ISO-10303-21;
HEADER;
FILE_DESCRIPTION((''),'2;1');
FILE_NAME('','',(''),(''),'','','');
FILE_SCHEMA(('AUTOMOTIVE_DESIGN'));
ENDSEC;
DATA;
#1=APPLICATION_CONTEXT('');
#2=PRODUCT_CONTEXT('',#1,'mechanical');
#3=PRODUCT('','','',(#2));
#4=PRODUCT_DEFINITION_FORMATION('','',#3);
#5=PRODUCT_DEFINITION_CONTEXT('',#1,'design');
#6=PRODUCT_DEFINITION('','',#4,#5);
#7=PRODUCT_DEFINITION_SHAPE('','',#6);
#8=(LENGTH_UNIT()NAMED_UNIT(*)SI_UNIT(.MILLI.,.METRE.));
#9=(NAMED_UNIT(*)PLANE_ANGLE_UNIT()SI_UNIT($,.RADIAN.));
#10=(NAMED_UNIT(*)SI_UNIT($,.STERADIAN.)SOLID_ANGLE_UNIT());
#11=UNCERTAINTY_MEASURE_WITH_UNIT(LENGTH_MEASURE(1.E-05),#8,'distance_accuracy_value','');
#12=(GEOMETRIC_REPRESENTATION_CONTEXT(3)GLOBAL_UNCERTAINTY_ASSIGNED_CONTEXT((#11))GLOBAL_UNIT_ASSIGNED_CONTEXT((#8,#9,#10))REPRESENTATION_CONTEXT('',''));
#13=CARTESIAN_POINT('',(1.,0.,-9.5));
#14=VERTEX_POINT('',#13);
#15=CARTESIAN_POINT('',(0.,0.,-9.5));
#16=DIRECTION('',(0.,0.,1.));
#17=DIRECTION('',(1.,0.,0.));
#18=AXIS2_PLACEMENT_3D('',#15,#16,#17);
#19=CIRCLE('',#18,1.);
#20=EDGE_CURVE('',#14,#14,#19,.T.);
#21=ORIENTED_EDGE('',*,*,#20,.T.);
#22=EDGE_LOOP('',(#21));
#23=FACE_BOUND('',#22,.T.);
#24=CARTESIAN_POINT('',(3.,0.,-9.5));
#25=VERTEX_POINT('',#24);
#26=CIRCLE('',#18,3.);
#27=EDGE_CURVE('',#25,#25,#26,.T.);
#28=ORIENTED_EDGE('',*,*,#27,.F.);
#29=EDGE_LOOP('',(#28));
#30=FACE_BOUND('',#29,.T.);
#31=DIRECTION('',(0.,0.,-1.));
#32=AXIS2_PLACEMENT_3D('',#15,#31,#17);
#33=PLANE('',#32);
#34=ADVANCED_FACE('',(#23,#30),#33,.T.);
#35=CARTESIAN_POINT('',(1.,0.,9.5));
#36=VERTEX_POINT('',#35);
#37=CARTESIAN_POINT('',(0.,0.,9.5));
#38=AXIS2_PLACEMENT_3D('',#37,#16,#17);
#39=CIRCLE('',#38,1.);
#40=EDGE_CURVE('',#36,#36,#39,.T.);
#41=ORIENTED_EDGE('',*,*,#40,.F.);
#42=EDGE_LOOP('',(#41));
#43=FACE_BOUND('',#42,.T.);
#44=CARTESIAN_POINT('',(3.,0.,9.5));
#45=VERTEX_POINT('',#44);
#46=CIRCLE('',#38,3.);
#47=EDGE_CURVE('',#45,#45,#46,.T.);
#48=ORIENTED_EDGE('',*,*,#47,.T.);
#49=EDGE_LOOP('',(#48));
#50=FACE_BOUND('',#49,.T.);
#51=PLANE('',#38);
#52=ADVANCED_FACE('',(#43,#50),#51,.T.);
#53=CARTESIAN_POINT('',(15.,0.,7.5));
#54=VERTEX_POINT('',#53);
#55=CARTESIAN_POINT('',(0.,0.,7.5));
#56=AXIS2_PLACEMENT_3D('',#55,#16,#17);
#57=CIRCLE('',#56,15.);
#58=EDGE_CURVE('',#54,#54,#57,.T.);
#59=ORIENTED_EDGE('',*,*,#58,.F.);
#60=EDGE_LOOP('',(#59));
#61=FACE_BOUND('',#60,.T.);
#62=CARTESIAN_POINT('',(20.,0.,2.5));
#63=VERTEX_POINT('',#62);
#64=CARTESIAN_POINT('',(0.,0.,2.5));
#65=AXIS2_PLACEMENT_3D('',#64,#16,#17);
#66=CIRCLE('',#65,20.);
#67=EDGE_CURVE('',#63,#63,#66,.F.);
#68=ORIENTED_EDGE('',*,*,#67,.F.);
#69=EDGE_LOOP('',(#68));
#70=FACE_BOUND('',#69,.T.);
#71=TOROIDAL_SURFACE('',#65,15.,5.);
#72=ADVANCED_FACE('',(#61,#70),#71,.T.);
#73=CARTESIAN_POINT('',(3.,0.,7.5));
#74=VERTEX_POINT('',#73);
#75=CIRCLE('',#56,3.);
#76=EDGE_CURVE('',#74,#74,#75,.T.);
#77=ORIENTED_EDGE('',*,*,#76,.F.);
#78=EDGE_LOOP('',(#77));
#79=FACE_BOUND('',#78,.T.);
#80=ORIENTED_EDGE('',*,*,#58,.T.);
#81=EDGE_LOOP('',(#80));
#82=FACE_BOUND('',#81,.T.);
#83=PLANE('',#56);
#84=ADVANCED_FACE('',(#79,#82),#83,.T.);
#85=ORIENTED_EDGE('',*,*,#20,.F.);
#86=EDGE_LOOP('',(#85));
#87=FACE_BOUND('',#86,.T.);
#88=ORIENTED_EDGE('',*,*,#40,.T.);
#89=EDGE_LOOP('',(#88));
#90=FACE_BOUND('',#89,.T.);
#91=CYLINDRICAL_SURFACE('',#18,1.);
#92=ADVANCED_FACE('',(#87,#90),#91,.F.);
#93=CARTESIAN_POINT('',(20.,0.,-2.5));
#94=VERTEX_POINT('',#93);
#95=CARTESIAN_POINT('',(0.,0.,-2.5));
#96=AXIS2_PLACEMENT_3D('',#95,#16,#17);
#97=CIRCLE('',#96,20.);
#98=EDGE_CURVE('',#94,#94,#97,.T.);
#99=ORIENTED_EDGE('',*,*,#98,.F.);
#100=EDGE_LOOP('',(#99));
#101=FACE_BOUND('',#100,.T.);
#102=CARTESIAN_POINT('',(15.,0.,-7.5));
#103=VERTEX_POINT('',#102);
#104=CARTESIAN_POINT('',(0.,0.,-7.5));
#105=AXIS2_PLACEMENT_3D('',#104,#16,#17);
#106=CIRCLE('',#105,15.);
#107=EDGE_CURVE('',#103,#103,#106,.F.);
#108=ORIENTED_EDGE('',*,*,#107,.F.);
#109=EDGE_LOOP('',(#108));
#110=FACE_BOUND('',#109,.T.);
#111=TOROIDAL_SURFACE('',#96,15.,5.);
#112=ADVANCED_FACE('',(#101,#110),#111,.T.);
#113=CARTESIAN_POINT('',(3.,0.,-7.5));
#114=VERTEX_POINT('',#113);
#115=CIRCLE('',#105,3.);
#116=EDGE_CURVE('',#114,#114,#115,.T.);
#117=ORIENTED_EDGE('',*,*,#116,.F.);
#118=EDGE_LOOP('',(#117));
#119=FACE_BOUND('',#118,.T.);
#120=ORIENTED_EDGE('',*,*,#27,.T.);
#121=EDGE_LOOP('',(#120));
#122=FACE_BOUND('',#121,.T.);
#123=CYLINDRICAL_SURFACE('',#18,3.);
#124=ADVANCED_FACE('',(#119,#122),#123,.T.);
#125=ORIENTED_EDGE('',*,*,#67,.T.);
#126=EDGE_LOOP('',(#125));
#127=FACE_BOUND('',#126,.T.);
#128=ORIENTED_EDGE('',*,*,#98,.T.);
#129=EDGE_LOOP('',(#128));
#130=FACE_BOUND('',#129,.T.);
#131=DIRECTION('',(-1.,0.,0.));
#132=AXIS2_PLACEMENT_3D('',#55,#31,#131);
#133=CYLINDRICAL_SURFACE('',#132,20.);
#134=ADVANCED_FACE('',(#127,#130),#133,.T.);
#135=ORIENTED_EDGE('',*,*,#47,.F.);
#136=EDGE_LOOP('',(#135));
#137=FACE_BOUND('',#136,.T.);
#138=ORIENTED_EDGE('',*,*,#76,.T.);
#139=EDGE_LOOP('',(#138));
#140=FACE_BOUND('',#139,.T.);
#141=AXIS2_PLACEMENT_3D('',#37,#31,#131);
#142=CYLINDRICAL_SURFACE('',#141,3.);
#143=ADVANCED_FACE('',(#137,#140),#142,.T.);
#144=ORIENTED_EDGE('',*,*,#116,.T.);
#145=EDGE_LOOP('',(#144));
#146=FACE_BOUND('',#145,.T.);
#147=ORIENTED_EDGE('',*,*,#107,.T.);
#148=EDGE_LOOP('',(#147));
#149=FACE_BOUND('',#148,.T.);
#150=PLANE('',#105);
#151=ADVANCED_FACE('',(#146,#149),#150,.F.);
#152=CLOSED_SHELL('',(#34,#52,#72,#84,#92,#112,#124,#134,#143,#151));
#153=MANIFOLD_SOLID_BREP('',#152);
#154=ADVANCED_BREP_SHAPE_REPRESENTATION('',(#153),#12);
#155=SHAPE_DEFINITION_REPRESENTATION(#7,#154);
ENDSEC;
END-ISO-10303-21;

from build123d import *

# Parameters (mm, degrees)
SKETCH1_R           = 20
BOSS_EXTRUDE1_DEPTH = 7.5
FILLET2_R           = 5
SKETCH2_R           = 3
BOSS_EXTRUDE2_DEPTH = 2
SKETCH3_R           = 1
CUT_EXTRUDE1_DEPTH  = 35.073450133


with BuildPart() as part:
    # Sketch1 → Boss-Extrude1 (new, symmetric)
    with BuildSketch(Plane.XY):
        Circle(SKETCH1_R)
    extrude(amount=BOSS_EXTRUDE1_DEPTH, both=True)

    # Fillet2
    fillet2_edges = [part.edges().sort_by_distance(p)[0] for p in [
        (-20, 0, -7.5),
        (-20, 0, 7.5),
    ]]
    fillet(fillet2_edges, radius=FILLET2_R)

    # Sketch2 → Boss-Extrude2 (add)
    with BuildSketch(Plane.XY.offset(7.5)):
        Circle(SKETCH2_R)
    boss_extrude2 = extrude(amount=BOSS_EXTRUDE2_DEPTH)

    # Mirror3: Boss-Extrude2 across plane
    add(boss_extrude2.mirror(Plane.XY))

    # Sketch3 → Cut-Extrude1 (cut, through all)
    with BuildSketch(Plane.XY.offset(9.5)):
        Circle(SKETCH3_R)
    extrude(amount=-CUT_EXTRUDE1_DEPTH, mode=Mode.SUBTRACT)


solid = part.part
